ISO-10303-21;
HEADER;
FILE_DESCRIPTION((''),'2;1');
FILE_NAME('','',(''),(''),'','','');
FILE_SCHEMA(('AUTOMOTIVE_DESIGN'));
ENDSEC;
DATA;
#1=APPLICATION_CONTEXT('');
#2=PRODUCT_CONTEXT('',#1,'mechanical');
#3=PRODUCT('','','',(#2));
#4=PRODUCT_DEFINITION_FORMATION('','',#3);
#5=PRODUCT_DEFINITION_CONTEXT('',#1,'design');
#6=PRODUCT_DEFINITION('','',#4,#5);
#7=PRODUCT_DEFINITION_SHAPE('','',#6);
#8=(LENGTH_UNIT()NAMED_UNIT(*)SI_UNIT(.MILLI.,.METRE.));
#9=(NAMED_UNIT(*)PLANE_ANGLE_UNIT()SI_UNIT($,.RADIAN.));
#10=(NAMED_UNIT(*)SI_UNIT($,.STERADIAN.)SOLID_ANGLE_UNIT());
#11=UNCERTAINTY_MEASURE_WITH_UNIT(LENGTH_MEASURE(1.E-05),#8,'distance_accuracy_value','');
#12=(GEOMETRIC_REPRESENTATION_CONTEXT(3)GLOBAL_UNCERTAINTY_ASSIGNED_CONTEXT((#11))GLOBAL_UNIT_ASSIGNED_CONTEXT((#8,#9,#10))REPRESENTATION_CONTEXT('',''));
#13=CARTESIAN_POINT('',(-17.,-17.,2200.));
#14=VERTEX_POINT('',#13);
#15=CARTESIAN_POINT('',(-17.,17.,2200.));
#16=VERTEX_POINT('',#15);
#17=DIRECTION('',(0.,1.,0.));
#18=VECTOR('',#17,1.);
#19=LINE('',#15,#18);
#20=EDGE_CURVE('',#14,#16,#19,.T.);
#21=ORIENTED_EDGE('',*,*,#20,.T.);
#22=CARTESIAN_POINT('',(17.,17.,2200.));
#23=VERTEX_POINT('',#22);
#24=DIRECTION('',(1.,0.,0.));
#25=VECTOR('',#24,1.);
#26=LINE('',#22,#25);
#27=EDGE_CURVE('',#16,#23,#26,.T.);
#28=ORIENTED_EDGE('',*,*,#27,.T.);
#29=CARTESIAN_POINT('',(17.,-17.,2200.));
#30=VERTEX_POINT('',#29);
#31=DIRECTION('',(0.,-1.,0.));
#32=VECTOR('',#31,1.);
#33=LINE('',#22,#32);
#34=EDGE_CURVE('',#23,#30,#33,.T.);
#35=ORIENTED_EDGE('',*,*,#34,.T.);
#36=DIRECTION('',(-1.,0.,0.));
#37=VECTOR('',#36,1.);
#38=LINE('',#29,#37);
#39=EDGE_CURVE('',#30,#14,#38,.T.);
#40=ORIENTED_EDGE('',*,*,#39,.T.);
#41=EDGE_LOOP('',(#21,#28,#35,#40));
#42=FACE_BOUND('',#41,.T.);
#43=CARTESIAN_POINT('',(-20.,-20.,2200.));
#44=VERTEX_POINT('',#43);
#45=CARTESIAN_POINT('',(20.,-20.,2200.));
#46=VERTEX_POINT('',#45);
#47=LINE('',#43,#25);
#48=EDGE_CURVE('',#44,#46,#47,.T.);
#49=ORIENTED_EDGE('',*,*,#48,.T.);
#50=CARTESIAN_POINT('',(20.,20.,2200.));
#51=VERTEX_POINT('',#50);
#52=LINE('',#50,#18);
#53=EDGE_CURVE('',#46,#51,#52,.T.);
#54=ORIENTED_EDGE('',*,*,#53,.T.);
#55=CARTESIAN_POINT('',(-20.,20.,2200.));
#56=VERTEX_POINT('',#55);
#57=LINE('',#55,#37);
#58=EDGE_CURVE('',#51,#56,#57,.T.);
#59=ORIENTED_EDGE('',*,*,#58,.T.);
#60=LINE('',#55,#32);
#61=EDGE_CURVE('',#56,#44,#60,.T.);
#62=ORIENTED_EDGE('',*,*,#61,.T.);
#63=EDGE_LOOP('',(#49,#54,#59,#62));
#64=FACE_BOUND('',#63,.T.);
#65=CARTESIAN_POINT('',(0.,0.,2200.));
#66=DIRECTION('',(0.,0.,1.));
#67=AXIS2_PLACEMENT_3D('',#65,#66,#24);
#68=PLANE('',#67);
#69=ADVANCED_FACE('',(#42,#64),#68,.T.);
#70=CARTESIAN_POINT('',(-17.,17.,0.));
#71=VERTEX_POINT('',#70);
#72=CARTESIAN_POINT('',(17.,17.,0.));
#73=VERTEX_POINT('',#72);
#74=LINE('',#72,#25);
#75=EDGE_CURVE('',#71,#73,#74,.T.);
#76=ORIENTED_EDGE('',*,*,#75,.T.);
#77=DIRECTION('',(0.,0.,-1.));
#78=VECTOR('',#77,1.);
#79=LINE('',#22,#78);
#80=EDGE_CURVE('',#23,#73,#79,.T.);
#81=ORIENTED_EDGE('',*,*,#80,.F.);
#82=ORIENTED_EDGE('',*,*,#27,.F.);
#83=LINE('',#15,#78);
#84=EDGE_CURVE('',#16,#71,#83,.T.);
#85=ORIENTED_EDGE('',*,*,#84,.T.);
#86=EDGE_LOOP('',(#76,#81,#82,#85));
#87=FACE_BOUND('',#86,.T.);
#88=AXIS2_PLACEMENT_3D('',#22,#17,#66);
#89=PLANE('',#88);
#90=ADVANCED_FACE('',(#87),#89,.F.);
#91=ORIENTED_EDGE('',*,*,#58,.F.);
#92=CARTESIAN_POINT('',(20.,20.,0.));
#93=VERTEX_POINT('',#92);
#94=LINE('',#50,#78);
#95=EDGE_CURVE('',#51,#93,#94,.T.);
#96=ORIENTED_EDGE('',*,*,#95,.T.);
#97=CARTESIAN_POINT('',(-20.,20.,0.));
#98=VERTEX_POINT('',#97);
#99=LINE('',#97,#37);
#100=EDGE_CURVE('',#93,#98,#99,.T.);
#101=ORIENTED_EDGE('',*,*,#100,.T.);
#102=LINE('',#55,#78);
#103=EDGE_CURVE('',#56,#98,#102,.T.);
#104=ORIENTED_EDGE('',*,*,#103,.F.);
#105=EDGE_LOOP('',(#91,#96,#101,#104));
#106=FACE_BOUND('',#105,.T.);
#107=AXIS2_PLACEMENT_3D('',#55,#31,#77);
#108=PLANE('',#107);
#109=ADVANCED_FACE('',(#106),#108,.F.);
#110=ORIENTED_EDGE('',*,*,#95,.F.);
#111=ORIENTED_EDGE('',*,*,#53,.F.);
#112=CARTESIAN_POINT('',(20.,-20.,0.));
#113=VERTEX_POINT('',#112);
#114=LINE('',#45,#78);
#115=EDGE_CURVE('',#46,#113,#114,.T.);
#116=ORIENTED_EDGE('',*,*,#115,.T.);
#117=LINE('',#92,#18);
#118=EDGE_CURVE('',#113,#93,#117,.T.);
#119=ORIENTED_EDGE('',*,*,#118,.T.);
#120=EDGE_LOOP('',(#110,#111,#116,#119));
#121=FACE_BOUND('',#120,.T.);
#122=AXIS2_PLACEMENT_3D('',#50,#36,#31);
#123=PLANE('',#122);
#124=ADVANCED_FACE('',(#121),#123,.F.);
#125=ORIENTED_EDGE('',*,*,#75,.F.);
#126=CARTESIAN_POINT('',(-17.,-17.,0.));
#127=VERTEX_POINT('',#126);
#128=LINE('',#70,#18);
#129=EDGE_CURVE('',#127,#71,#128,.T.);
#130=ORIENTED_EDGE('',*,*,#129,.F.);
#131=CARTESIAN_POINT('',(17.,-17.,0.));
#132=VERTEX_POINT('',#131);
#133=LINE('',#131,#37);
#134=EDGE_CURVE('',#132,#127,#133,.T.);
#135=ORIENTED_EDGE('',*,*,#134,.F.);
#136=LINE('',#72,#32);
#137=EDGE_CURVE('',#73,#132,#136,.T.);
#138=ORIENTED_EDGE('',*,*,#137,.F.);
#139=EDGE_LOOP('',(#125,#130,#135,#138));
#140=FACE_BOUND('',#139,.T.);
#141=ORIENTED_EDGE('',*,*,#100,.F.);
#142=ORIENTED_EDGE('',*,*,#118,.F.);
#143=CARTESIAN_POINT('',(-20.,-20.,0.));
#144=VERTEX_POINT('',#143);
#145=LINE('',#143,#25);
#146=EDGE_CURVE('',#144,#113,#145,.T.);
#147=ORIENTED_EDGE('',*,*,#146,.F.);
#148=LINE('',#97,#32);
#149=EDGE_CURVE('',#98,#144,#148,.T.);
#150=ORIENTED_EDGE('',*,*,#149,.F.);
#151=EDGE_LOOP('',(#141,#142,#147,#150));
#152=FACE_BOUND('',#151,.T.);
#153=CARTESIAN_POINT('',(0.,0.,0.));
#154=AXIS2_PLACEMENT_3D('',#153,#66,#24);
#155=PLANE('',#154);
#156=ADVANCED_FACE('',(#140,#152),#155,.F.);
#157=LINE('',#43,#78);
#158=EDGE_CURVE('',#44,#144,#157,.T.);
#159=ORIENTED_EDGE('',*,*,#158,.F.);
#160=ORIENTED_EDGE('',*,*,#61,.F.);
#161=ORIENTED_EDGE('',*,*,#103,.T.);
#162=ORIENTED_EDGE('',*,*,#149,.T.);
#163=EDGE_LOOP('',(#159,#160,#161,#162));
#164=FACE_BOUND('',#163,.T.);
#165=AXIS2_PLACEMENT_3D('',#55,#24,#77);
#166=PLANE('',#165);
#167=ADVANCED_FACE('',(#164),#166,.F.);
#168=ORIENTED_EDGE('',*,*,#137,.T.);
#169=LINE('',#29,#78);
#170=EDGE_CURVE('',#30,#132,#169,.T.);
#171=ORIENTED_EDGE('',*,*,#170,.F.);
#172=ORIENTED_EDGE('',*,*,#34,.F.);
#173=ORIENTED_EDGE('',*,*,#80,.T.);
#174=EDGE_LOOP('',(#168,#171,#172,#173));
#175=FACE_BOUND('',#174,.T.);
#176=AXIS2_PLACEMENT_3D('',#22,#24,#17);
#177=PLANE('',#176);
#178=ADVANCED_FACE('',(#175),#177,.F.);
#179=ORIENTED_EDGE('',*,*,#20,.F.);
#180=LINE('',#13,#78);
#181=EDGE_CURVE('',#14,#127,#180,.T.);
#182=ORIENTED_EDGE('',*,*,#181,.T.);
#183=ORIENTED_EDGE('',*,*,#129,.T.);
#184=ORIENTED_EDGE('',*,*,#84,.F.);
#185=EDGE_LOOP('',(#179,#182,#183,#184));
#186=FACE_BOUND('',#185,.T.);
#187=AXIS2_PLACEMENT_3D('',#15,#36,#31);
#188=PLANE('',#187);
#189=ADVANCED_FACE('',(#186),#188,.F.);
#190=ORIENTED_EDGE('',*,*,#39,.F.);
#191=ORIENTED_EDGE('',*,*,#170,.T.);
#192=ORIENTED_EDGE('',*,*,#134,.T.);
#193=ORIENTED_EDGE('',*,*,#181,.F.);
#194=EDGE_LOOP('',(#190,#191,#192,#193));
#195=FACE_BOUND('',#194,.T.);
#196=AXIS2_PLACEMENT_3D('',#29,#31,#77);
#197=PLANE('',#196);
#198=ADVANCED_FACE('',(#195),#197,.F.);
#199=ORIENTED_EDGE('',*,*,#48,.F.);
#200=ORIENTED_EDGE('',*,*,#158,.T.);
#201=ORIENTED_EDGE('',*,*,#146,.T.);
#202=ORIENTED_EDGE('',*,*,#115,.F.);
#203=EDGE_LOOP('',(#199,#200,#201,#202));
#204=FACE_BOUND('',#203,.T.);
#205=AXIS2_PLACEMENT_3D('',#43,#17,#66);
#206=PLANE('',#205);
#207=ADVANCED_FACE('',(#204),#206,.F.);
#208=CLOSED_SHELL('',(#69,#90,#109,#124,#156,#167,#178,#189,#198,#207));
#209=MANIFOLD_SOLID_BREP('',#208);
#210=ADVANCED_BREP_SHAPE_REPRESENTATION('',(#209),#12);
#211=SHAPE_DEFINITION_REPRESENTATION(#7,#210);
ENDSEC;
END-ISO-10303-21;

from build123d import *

# Parameters (mm, degrees)
SKETCH1_W           = 40
SKETCH1_H           = 40
BOSS_EXTRUDE1_DEPTH = 2200
SKETCH2_W           = 34
SKETCH2_H           = 34
CUT_EXTRUDE1_DEPTH  = 2200


with BuildPart() as part:
    # Sketch1 → Boss-Extrude1 (new body)
    with BuildSketch(Plane.XY):
        Rectangle(SKETCH1_W, SKETCH1_H)
    extrude(amount=BOSS_EXTRUDE1_DEPTH)

    # Sketch2 → Cut-Extrude1 (cut)
    with BuildSketch(Plane(origin=(0, 0, 0), x_dir=(-1, 0, 0), z_dir=(0, 0, -1))):
        Rectangle(SKETCH2_W, SKETCH2_H)
    extrude(amount=-CUT_EXTRUDE1_DEPTH, mode=Mode.SUBTRACT)


solid = part.part
